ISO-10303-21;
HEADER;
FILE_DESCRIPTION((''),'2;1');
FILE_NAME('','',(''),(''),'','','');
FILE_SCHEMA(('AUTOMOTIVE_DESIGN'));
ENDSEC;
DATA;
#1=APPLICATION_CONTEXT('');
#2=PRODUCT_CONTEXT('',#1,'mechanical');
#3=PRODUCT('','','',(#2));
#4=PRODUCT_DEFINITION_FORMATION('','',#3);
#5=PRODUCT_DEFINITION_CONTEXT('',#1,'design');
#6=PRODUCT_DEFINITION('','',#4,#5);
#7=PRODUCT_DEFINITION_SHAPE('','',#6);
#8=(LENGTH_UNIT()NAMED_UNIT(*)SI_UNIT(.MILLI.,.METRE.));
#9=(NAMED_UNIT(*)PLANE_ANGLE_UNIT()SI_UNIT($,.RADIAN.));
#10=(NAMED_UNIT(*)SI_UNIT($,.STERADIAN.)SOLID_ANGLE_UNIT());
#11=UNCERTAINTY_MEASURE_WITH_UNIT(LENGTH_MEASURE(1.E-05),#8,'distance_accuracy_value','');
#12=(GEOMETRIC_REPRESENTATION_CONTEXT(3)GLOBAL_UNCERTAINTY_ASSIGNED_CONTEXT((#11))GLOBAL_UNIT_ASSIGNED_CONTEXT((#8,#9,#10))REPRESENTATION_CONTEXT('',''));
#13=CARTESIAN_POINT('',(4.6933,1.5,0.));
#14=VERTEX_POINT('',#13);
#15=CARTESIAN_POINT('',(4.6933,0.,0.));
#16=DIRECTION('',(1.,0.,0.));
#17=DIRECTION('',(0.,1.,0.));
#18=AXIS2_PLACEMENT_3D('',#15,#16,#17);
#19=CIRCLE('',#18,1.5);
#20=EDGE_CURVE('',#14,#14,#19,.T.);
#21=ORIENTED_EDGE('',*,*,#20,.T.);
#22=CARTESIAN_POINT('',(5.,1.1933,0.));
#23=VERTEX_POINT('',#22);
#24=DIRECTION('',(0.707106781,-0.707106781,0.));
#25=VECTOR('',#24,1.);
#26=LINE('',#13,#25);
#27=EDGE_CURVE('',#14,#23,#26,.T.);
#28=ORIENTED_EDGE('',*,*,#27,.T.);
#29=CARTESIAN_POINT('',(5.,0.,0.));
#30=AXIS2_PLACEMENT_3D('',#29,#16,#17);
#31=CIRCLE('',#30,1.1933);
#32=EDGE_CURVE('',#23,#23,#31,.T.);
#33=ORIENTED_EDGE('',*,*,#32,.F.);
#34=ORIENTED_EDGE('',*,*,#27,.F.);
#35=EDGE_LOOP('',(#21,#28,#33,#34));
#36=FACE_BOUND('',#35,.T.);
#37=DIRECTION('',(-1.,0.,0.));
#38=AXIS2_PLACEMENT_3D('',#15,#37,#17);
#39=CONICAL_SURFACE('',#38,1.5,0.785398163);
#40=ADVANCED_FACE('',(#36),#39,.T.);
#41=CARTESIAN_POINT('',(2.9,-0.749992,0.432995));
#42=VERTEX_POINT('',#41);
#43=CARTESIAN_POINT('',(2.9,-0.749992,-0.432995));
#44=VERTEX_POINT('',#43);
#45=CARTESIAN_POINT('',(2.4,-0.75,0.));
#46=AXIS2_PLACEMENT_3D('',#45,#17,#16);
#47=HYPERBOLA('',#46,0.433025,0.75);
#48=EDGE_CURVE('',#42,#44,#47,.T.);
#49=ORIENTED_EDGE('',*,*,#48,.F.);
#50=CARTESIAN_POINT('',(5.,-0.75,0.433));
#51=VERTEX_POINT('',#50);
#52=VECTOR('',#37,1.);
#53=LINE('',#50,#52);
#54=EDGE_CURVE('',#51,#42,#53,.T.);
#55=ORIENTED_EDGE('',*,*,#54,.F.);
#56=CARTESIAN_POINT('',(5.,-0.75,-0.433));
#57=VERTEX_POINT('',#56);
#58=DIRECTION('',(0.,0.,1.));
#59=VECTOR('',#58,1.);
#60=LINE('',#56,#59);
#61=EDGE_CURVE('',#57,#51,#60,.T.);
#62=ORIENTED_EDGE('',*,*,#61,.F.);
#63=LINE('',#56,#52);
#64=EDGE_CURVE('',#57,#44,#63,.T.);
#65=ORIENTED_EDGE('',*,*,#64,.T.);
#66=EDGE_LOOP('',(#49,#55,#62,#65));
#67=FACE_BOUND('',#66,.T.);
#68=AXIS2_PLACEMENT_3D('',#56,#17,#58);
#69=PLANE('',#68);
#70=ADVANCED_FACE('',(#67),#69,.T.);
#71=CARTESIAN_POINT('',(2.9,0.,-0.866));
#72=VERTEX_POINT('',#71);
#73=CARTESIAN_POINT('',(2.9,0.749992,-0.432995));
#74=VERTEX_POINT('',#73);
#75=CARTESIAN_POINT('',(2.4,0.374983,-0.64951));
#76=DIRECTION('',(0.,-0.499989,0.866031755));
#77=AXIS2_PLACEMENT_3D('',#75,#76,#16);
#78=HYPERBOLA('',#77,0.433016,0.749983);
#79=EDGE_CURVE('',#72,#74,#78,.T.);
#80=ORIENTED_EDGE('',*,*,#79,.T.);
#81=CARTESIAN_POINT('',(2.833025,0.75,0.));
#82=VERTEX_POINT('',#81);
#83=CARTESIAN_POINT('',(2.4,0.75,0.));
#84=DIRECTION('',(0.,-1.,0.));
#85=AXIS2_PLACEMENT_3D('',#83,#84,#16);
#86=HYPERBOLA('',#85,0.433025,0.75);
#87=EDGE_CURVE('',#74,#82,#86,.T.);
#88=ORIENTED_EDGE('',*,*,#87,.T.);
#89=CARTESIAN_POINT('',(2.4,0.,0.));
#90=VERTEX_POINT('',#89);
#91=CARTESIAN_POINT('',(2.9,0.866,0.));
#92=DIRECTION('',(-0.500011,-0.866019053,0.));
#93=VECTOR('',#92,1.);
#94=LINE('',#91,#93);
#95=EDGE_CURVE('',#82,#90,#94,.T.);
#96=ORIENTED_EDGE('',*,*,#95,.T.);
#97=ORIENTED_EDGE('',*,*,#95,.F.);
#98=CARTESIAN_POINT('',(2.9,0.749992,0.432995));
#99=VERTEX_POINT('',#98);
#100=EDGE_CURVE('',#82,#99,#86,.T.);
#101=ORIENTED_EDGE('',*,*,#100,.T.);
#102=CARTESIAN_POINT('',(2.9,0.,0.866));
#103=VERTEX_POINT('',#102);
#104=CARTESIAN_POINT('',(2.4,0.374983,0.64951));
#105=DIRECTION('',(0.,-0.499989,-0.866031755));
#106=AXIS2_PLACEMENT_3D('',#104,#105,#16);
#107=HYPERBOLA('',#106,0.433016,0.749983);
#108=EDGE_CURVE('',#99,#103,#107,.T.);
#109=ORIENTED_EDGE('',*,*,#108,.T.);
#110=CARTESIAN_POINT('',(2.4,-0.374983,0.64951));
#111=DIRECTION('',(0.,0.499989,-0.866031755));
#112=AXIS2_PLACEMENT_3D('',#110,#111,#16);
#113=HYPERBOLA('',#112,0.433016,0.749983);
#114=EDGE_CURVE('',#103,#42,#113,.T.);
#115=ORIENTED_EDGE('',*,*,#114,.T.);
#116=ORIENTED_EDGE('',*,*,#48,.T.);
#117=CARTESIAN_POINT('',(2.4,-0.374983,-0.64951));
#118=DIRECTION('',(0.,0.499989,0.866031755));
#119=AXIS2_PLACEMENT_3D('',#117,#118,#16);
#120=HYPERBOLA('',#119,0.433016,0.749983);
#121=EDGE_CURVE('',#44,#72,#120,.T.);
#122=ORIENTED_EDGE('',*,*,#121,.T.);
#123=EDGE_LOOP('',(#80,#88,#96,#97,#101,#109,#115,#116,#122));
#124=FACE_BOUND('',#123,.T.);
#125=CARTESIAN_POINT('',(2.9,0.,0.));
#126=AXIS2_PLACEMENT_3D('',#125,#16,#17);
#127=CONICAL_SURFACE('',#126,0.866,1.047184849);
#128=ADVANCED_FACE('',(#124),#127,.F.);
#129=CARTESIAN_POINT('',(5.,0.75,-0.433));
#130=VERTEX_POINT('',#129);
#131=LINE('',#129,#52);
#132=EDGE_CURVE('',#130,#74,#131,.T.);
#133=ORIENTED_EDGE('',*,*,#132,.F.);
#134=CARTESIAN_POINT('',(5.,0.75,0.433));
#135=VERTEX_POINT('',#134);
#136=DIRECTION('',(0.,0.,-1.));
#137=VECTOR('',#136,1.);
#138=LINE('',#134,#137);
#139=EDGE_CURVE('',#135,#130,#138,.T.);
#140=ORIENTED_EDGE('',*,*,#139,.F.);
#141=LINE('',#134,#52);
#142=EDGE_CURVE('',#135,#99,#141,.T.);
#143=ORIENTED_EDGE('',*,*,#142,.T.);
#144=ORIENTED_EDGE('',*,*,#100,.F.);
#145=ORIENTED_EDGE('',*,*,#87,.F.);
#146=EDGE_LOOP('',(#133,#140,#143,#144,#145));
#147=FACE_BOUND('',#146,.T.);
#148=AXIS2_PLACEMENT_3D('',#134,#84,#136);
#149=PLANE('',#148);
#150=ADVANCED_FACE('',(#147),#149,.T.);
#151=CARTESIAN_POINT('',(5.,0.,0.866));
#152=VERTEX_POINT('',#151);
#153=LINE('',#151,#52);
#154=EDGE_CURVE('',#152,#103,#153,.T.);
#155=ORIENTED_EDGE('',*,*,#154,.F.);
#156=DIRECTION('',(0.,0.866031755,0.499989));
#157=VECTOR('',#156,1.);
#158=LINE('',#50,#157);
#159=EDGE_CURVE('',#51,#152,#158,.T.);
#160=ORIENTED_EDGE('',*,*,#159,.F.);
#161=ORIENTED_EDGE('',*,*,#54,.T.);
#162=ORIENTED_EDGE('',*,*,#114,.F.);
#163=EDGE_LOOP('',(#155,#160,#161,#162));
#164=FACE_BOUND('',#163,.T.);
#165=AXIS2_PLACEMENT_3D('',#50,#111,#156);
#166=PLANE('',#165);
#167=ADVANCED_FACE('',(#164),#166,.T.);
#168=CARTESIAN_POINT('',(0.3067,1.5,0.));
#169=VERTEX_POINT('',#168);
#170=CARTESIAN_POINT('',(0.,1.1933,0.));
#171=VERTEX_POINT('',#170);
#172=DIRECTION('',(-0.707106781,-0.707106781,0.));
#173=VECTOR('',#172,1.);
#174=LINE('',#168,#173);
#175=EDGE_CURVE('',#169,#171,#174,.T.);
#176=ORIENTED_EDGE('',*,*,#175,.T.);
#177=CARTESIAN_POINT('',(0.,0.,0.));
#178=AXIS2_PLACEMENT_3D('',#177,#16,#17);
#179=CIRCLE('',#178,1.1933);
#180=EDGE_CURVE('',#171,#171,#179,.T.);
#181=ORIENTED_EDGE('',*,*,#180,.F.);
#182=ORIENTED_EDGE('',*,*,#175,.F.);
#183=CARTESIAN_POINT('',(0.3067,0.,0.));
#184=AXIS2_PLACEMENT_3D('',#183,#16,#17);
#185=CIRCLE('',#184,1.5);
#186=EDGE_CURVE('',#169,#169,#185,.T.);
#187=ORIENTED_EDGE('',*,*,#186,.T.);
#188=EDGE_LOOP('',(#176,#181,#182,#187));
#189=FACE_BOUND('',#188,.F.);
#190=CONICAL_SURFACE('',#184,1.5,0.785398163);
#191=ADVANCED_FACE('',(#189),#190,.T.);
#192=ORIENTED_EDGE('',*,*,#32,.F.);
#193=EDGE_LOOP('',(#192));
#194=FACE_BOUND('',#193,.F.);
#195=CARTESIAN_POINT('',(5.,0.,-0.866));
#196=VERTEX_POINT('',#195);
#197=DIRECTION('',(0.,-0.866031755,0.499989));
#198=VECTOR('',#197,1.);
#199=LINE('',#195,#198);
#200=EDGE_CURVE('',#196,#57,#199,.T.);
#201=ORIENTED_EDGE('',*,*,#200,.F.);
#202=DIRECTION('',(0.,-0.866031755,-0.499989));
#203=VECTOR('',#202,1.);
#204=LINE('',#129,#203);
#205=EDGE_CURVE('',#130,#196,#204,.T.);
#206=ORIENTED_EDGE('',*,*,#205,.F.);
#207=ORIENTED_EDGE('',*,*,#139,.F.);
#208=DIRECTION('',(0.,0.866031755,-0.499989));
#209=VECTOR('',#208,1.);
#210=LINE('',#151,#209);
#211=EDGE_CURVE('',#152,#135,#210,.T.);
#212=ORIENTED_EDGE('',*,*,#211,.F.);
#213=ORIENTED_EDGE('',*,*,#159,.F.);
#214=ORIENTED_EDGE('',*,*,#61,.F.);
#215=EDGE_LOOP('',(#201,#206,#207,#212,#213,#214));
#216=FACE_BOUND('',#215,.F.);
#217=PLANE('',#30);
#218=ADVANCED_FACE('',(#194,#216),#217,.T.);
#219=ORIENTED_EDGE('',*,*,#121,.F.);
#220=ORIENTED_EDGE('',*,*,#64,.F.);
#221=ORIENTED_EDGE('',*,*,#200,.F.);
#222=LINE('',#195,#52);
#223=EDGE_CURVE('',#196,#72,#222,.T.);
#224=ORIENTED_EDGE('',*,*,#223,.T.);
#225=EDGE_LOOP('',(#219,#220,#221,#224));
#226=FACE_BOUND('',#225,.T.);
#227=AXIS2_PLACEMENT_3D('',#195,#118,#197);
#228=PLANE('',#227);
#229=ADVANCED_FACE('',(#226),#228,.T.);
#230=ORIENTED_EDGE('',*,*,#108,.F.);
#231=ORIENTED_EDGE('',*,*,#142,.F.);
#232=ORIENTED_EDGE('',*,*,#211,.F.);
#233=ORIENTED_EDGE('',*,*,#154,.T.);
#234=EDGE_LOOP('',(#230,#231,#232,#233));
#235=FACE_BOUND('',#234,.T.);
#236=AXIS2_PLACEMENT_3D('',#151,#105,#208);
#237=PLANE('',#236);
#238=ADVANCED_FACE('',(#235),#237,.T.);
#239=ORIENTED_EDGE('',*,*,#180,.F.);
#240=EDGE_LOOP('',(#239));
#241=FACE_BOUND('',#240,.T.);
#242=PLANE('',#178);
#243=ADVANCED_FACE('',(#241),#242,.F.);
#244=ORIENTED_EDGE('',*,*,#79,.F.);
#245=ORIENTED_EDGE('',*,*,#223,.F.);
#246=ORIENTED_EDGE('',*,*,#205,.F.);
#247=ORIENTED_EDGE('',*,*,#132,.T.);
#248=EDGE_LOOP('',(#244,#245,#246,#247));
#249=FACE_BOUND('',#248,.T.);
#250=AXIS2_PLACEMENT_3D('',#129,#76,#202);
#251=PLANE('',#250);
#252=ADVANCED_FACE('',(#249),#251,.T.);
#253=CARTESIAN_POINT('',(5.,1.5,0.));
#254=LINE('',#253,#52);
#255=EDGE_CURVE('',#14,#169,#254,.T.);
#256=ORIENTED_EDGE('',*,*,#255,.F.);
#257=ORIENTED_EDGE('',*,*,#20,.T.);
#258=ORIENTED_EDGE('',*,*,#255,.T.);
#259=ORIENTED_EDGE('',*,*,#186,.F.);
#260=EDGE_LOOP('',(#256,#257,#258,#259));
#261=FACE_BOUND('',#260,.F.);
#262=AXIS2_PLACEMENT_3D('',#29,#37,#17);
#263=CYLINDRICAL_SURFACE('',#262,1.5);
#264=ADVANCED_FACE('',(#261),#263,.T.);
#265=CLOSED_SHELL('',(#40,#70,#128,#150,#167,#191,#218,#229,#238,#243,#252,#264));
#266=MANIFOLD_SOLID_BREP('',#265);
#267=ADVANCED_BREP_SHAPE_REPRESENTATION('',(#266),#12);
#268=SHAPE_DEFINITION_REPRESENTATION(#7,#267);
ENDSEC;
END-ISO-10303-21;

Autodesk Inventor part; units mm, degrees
ref_plane "YZ Plane" through (0, 0, 0) normal (1, 0, 0) x (0, 1, 0)
ref_plane "XZ Plane" through (0, 0, 0) normal (0, 1, 0) x (-1, 0, 0)
sketch "Sketch1" plane through (0, 0, 0) normal (0, 0, 1) x (1, 0, 0)
  line L0 (0, 0) -> (2.4, 0)
  line L1 (5, 0.866) -> (5, 1.5)
  line L2 (5, 1.5) -> (0, 1.5)
  line L3 (5, 0.866) -> (2.9, 0.866)
  line L4 (2.9, 0.866) -> (2.4, 0)
  line L5 (0, -0.3) -> (0, 1.8) projected
  line L6 (0, 1.5) -> (0, 0)
  dimension "d0" = 2.1
  dimension "d1" = 60
  dimension "d2" = 3
  dimension "d3" = 1.7321
  dimension "d5" = 5
revolve "Body" add sketch "Sketch1" angle 360 about axis through (0, 0, 0) along (1, 0, 0)
chamfer "Chamfer1" distance 0.3067 angle 45 1 edges at (5, -1.5, 0) measured on face at (5, 1.2658, -0.1887)
sketch "Sketch2" plane through (5, 0, 0) normal (1, 0, 0) x (0, 0, -1)
  circle A0 centre (0, 0) radius 0.866 projected
  line L0 (-0.433, 0.75) -> (0.433, 0.75)
  line L1 (0.433, 0.75) -> (0.866, 0)
  line L2 (0.866, 0) -> (0.433, -0.75)
  line L3 (0.433, -0.75) -> (-0.433, -0.75)
  line L4 (-0.433, -0.75) -> (-0.866, 0)
  line L5 (-0.866, 0) -> (-0.433, 0.75)
extrude "Slot" add sketch "Sketch2" against normal up to next contours L1 A0 | A0 L2 | L0 A0 | A0 L3 | L5 A0 | A0 L4
thread "Thread" size "M3x0.5" class "6g" standard "ANSI Metric M Profile" length 5
chamfer "Chamfer2" distance 0.3067 angle 45 1 edges at (0, -1.5, 0) measured on face at (1.5644, 1.4951, -0.1207)
ref_plane "Work Plane1" through (2.5, 0, 0) normal (0, 0.5, 0.866) x (1, 0, 0)
equation "\"d0\" = INTI"
equation "\"d2\" = NND"
equation "\"d3\" = 1.1547 * SW"
equation "\"d5\" = NLG"
equation "\"d7\" = -0.5 * GD1 + 0.5 * NND"
equation "\"d8\" = FAWI"
equation "\"d29\" = -0.5 * GD1 + 0.5 * NND"
equation "\"d11\" = NLG"
equation "\"d13\" = -0.5 * GD1 + 0.5 * NND"
equation "\"d14\" = FAWI"
equation "\"d30\" = -0.5 * GD1 + 0.5 * NND"
equation "\"NND\" = 3"
equation "\"NLG\" = 5"
equation "\"INTI\" = 2.1"
equation "\"FAWI\" = 45deg"
equation "\"SW\" = 1.5"
equation "\"GD1\" = THREADDIA - 1.2269 * PTC"
equation "\"FAWI1\" = 45deg"
equation "\"GUL\" = 0.61345 * PTC"
equation "\"SPD\" = 2"
equation "\"TOA\" = 30deg"
equation "\"THREADDIA\" = 3"
equation "\"PTC\" = 0.5"
equation "\"GAL\" = 0.61345 * PTC"
equation "\"E0\" = 1.155 * SW"
properties part number "ANSI B18.3.6M - M3x0.5 x 5" material "Steel, Mild"
